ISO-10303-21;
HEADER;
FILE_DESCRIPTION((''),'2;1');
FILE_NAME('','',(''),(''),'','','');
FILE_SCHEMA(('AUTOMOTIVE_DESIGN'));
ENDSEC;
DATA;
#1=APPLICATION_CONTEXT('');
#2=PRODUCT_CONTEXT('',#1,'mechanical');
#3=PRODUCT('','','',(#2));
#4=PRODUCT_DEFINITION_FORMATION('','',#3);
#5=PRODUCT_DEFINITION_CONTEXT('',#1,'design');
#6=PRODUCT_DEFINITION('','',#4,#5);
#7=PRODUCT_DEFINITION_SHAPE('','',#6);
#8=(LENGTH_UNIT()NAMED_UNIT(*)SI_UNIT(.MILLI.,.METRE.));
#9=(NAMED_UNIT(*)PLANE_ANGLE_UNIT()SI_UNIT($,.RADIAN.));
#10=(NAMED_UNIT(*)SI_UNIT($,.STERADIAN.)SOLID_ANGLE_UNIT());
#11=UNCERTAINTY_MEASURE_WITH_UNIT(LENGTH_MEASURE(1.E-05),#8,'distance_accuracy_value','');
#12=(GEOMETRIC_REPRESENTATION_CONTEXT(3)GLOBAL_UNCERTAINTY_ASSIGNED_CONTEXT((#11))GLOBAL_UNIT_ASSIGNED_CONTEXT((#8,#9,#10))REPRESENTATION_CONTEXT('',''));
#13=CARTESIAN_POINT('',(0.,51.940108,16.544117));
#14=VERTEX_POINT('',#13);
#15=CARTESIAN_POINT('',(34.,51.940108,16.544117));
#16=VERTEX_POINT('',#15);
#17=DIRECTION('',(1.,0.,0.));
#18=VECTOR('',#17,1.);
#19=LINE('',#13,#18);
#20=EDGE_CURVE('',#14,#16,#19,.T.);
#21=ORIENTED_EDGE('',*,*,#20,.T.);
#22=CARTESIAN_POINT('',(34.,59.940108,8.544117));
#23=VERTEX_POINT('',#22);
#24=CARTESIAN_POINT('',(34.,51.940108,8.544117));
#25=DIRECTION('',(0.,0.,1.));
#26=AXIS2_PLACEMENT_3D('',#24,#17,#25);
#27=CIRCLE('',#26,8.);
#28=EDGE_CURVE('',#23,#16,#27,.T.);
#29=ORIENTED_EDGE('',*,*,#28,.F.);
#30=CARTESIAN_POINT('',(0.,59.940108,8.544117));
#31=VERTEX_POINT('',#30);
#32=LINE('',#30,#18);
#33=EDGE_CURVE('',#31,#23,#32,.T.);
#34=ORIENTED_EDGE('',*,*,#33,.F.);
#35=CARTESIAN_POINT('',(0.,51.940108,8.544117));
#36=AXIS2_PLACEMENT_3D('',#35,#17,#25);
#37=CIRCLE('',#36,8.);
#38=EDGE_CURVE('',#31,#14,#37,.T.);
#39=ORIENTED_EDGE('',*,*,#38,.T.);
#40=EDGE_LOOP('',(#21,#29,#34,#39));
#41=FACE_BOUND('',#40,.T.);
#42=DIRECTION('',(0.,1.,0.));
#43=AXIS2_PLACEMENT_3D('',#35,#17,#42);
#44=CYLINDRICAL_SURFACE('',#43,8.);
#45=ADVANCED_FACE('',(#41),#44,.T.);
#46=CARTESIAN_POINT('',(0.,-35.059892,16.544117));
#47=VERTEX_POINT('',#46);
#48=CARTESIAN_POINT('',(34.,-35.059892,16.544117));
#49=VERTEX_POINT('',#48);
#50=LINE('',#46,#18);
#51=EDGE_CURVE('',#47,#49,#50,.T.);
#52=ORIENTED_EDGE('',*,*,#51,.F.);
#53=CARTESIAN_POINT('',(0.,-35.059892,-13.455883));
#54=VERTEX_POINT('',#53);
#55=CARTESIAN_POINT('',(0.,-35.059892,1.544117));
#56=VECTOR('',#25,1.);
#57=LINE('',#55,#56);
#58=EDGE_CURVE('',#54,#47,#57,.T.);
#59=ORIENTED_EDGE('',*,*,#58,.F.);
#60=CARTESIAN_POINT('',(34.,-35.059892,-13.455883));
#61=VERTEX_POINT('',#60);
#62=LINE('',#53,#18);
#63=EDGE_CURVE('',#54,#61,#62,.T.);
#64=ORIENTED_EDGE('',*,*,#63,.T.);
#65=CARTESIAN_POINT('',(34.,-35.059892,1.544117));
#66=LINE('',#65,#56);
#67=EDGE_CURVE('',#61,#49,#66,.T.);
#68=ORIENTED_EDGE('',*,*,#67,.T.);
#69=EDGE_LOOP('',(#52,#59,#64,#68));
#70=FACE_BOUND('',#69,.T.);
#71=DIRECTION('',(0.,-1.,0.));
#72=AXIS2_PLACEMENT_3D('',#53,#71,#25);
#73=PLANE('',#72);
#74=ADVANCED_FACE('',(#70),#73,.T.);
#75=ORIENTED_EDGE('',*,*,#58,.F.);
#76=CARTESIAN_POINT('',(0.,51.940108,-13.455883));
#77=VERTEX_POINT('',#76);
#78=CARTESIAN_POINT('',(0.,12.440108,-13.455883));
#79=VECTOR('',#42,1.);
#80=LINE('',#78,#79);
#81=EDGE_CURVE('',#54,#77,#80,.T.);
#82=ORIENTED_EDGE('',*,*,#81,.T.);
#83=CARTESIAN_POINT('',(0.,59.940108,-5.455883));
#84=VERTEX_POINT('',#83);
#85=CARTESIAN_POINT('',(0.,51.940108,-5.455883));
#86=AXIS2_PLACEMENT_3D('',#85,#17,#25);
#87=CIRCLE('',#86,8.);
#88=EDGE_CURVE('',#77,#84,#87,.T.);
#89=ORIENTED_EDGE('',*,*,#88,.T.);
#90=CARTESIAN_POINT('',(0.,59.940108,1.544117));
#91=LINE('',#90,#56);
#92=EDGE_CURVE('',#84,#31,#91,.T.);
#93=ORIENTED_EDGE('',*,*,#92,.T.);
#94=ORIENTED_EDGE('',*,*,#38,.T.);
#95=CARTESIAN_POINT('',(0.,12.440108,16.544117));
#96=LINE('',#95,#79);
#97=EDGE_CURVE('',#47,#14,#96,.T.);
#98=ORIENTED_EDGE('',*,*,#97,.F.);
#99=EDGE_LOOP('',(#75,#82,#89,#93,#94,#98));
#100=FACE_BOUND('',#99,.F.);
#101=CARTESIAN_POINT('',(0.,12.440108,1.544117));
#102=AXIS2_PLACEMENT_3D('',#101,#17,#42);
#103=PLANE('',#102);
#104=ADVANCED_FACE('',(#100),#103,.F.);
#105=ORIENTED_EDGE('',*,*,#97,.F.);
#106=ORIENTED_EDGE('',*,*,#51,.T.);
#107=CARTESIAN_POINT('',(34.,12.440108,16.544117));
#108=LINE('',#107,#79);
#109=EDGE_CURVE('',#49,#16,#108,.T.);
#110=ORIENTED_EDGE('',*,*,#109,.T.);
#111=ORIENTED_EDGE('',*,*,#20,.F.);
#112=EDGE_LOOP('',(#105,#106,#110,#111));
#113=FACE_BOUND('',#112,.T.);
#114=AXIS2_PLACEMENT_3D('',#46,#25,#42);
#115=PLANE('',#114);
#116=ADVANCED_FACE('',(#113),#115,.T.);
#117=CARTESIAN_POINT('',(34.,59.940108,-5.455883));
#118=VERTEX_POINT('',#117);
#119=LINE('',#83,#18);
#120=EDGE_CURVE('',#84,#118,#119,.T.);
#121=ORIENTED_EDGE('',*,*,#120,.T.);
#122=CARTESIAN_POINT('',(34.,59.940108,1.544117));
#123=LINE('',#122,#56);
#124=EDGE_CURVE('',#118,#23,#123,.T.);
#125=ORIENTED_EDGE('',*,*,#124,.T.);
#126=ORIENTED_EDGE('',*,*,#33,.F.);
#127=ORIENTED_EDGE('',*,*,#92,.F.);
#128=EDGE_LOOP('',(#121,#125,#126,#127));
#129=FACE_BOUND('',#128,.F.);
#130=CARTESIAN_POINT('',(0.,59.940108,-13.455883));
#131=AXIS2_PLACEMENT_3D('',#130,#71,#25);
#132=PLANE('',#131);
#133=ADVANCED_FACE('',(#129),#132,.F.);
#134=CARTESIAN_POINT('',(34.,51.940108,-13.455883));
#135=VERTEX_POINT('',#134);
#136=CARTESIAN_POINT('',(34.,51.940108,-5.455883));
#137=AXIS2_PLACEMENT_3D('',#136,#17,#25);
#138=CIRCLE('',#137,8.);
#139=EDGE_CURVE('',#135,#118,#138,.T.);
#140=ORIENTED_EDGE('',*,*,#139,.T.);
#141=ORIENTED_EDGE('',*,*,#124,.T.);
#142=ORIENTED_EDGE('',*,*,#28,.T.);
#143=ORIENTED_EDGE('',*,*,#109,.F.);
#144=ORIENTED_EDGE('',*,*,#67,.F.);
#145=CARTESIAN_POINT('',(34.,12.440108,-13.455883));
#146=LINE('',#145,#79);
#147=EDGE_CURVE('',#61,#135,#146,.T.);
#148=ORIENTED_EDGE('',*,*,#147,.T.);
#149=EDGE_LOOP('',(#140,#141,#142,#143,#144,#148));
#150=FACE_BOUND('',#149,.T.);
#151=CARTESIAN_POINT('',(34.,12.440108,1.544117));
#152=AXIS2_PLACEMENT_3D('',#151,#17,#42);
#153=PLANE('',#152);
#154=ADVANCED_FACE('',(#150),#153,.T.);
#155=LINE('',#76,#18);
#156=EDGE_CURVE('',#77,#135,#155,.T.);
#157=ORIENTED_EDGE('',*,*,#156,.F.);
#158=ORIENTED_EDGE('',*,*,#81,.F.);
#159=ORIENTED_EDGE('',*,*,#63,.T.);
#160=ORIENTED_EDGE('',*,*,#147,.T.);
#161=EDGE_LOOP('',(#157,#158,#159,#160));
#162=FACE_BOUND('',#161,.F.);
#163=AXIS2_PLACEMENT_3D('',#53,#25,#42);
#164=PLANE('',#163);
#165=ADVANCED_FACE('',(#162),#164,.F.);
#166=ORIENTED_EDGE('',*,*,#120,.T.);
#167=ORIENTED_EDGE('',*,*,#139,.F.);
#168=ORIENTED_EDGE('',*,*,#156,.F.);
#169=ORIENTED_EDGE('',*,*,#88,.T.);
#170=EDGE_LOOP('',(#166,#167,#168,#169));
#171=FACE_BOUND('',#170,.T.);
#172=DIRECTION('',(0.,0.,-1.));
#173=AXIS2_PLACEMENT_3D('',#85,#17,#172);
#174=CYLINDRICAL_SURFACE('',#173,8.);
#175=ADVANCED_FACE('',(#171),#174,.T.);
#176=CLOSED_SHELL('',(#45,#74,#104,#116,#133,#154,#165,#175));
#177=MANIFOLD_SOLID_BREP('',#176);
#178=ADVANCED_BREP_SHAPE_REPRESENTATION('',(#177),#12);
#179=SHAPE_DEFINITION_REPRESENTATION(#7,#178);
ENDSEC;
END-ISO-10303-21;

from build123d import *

# Parameters (mm, degrees)
F0_W     = 95
F0_H     = 30
F1_DEPTH = 34
F2_R     = 8


with BuildPart() as f1:
    # F0 (on Right) → F1 (new body)
    with BuildSketch(Plane.YZ):
        with Locations((12.440108, 1.544117)):
            Rectangle(F0_W, F0_H)
    extrude(amount=F1_DEPTH)

    # F2
    f2_edges = [f1.edges().sort_by_distance(p)[0] for p in [
        (17, 59.940108, 16.544117),
        (17, 59.940108, -13.455883),
    ]]
    fillet(f2_edges, radius=F2_R)


solid = f1.part
